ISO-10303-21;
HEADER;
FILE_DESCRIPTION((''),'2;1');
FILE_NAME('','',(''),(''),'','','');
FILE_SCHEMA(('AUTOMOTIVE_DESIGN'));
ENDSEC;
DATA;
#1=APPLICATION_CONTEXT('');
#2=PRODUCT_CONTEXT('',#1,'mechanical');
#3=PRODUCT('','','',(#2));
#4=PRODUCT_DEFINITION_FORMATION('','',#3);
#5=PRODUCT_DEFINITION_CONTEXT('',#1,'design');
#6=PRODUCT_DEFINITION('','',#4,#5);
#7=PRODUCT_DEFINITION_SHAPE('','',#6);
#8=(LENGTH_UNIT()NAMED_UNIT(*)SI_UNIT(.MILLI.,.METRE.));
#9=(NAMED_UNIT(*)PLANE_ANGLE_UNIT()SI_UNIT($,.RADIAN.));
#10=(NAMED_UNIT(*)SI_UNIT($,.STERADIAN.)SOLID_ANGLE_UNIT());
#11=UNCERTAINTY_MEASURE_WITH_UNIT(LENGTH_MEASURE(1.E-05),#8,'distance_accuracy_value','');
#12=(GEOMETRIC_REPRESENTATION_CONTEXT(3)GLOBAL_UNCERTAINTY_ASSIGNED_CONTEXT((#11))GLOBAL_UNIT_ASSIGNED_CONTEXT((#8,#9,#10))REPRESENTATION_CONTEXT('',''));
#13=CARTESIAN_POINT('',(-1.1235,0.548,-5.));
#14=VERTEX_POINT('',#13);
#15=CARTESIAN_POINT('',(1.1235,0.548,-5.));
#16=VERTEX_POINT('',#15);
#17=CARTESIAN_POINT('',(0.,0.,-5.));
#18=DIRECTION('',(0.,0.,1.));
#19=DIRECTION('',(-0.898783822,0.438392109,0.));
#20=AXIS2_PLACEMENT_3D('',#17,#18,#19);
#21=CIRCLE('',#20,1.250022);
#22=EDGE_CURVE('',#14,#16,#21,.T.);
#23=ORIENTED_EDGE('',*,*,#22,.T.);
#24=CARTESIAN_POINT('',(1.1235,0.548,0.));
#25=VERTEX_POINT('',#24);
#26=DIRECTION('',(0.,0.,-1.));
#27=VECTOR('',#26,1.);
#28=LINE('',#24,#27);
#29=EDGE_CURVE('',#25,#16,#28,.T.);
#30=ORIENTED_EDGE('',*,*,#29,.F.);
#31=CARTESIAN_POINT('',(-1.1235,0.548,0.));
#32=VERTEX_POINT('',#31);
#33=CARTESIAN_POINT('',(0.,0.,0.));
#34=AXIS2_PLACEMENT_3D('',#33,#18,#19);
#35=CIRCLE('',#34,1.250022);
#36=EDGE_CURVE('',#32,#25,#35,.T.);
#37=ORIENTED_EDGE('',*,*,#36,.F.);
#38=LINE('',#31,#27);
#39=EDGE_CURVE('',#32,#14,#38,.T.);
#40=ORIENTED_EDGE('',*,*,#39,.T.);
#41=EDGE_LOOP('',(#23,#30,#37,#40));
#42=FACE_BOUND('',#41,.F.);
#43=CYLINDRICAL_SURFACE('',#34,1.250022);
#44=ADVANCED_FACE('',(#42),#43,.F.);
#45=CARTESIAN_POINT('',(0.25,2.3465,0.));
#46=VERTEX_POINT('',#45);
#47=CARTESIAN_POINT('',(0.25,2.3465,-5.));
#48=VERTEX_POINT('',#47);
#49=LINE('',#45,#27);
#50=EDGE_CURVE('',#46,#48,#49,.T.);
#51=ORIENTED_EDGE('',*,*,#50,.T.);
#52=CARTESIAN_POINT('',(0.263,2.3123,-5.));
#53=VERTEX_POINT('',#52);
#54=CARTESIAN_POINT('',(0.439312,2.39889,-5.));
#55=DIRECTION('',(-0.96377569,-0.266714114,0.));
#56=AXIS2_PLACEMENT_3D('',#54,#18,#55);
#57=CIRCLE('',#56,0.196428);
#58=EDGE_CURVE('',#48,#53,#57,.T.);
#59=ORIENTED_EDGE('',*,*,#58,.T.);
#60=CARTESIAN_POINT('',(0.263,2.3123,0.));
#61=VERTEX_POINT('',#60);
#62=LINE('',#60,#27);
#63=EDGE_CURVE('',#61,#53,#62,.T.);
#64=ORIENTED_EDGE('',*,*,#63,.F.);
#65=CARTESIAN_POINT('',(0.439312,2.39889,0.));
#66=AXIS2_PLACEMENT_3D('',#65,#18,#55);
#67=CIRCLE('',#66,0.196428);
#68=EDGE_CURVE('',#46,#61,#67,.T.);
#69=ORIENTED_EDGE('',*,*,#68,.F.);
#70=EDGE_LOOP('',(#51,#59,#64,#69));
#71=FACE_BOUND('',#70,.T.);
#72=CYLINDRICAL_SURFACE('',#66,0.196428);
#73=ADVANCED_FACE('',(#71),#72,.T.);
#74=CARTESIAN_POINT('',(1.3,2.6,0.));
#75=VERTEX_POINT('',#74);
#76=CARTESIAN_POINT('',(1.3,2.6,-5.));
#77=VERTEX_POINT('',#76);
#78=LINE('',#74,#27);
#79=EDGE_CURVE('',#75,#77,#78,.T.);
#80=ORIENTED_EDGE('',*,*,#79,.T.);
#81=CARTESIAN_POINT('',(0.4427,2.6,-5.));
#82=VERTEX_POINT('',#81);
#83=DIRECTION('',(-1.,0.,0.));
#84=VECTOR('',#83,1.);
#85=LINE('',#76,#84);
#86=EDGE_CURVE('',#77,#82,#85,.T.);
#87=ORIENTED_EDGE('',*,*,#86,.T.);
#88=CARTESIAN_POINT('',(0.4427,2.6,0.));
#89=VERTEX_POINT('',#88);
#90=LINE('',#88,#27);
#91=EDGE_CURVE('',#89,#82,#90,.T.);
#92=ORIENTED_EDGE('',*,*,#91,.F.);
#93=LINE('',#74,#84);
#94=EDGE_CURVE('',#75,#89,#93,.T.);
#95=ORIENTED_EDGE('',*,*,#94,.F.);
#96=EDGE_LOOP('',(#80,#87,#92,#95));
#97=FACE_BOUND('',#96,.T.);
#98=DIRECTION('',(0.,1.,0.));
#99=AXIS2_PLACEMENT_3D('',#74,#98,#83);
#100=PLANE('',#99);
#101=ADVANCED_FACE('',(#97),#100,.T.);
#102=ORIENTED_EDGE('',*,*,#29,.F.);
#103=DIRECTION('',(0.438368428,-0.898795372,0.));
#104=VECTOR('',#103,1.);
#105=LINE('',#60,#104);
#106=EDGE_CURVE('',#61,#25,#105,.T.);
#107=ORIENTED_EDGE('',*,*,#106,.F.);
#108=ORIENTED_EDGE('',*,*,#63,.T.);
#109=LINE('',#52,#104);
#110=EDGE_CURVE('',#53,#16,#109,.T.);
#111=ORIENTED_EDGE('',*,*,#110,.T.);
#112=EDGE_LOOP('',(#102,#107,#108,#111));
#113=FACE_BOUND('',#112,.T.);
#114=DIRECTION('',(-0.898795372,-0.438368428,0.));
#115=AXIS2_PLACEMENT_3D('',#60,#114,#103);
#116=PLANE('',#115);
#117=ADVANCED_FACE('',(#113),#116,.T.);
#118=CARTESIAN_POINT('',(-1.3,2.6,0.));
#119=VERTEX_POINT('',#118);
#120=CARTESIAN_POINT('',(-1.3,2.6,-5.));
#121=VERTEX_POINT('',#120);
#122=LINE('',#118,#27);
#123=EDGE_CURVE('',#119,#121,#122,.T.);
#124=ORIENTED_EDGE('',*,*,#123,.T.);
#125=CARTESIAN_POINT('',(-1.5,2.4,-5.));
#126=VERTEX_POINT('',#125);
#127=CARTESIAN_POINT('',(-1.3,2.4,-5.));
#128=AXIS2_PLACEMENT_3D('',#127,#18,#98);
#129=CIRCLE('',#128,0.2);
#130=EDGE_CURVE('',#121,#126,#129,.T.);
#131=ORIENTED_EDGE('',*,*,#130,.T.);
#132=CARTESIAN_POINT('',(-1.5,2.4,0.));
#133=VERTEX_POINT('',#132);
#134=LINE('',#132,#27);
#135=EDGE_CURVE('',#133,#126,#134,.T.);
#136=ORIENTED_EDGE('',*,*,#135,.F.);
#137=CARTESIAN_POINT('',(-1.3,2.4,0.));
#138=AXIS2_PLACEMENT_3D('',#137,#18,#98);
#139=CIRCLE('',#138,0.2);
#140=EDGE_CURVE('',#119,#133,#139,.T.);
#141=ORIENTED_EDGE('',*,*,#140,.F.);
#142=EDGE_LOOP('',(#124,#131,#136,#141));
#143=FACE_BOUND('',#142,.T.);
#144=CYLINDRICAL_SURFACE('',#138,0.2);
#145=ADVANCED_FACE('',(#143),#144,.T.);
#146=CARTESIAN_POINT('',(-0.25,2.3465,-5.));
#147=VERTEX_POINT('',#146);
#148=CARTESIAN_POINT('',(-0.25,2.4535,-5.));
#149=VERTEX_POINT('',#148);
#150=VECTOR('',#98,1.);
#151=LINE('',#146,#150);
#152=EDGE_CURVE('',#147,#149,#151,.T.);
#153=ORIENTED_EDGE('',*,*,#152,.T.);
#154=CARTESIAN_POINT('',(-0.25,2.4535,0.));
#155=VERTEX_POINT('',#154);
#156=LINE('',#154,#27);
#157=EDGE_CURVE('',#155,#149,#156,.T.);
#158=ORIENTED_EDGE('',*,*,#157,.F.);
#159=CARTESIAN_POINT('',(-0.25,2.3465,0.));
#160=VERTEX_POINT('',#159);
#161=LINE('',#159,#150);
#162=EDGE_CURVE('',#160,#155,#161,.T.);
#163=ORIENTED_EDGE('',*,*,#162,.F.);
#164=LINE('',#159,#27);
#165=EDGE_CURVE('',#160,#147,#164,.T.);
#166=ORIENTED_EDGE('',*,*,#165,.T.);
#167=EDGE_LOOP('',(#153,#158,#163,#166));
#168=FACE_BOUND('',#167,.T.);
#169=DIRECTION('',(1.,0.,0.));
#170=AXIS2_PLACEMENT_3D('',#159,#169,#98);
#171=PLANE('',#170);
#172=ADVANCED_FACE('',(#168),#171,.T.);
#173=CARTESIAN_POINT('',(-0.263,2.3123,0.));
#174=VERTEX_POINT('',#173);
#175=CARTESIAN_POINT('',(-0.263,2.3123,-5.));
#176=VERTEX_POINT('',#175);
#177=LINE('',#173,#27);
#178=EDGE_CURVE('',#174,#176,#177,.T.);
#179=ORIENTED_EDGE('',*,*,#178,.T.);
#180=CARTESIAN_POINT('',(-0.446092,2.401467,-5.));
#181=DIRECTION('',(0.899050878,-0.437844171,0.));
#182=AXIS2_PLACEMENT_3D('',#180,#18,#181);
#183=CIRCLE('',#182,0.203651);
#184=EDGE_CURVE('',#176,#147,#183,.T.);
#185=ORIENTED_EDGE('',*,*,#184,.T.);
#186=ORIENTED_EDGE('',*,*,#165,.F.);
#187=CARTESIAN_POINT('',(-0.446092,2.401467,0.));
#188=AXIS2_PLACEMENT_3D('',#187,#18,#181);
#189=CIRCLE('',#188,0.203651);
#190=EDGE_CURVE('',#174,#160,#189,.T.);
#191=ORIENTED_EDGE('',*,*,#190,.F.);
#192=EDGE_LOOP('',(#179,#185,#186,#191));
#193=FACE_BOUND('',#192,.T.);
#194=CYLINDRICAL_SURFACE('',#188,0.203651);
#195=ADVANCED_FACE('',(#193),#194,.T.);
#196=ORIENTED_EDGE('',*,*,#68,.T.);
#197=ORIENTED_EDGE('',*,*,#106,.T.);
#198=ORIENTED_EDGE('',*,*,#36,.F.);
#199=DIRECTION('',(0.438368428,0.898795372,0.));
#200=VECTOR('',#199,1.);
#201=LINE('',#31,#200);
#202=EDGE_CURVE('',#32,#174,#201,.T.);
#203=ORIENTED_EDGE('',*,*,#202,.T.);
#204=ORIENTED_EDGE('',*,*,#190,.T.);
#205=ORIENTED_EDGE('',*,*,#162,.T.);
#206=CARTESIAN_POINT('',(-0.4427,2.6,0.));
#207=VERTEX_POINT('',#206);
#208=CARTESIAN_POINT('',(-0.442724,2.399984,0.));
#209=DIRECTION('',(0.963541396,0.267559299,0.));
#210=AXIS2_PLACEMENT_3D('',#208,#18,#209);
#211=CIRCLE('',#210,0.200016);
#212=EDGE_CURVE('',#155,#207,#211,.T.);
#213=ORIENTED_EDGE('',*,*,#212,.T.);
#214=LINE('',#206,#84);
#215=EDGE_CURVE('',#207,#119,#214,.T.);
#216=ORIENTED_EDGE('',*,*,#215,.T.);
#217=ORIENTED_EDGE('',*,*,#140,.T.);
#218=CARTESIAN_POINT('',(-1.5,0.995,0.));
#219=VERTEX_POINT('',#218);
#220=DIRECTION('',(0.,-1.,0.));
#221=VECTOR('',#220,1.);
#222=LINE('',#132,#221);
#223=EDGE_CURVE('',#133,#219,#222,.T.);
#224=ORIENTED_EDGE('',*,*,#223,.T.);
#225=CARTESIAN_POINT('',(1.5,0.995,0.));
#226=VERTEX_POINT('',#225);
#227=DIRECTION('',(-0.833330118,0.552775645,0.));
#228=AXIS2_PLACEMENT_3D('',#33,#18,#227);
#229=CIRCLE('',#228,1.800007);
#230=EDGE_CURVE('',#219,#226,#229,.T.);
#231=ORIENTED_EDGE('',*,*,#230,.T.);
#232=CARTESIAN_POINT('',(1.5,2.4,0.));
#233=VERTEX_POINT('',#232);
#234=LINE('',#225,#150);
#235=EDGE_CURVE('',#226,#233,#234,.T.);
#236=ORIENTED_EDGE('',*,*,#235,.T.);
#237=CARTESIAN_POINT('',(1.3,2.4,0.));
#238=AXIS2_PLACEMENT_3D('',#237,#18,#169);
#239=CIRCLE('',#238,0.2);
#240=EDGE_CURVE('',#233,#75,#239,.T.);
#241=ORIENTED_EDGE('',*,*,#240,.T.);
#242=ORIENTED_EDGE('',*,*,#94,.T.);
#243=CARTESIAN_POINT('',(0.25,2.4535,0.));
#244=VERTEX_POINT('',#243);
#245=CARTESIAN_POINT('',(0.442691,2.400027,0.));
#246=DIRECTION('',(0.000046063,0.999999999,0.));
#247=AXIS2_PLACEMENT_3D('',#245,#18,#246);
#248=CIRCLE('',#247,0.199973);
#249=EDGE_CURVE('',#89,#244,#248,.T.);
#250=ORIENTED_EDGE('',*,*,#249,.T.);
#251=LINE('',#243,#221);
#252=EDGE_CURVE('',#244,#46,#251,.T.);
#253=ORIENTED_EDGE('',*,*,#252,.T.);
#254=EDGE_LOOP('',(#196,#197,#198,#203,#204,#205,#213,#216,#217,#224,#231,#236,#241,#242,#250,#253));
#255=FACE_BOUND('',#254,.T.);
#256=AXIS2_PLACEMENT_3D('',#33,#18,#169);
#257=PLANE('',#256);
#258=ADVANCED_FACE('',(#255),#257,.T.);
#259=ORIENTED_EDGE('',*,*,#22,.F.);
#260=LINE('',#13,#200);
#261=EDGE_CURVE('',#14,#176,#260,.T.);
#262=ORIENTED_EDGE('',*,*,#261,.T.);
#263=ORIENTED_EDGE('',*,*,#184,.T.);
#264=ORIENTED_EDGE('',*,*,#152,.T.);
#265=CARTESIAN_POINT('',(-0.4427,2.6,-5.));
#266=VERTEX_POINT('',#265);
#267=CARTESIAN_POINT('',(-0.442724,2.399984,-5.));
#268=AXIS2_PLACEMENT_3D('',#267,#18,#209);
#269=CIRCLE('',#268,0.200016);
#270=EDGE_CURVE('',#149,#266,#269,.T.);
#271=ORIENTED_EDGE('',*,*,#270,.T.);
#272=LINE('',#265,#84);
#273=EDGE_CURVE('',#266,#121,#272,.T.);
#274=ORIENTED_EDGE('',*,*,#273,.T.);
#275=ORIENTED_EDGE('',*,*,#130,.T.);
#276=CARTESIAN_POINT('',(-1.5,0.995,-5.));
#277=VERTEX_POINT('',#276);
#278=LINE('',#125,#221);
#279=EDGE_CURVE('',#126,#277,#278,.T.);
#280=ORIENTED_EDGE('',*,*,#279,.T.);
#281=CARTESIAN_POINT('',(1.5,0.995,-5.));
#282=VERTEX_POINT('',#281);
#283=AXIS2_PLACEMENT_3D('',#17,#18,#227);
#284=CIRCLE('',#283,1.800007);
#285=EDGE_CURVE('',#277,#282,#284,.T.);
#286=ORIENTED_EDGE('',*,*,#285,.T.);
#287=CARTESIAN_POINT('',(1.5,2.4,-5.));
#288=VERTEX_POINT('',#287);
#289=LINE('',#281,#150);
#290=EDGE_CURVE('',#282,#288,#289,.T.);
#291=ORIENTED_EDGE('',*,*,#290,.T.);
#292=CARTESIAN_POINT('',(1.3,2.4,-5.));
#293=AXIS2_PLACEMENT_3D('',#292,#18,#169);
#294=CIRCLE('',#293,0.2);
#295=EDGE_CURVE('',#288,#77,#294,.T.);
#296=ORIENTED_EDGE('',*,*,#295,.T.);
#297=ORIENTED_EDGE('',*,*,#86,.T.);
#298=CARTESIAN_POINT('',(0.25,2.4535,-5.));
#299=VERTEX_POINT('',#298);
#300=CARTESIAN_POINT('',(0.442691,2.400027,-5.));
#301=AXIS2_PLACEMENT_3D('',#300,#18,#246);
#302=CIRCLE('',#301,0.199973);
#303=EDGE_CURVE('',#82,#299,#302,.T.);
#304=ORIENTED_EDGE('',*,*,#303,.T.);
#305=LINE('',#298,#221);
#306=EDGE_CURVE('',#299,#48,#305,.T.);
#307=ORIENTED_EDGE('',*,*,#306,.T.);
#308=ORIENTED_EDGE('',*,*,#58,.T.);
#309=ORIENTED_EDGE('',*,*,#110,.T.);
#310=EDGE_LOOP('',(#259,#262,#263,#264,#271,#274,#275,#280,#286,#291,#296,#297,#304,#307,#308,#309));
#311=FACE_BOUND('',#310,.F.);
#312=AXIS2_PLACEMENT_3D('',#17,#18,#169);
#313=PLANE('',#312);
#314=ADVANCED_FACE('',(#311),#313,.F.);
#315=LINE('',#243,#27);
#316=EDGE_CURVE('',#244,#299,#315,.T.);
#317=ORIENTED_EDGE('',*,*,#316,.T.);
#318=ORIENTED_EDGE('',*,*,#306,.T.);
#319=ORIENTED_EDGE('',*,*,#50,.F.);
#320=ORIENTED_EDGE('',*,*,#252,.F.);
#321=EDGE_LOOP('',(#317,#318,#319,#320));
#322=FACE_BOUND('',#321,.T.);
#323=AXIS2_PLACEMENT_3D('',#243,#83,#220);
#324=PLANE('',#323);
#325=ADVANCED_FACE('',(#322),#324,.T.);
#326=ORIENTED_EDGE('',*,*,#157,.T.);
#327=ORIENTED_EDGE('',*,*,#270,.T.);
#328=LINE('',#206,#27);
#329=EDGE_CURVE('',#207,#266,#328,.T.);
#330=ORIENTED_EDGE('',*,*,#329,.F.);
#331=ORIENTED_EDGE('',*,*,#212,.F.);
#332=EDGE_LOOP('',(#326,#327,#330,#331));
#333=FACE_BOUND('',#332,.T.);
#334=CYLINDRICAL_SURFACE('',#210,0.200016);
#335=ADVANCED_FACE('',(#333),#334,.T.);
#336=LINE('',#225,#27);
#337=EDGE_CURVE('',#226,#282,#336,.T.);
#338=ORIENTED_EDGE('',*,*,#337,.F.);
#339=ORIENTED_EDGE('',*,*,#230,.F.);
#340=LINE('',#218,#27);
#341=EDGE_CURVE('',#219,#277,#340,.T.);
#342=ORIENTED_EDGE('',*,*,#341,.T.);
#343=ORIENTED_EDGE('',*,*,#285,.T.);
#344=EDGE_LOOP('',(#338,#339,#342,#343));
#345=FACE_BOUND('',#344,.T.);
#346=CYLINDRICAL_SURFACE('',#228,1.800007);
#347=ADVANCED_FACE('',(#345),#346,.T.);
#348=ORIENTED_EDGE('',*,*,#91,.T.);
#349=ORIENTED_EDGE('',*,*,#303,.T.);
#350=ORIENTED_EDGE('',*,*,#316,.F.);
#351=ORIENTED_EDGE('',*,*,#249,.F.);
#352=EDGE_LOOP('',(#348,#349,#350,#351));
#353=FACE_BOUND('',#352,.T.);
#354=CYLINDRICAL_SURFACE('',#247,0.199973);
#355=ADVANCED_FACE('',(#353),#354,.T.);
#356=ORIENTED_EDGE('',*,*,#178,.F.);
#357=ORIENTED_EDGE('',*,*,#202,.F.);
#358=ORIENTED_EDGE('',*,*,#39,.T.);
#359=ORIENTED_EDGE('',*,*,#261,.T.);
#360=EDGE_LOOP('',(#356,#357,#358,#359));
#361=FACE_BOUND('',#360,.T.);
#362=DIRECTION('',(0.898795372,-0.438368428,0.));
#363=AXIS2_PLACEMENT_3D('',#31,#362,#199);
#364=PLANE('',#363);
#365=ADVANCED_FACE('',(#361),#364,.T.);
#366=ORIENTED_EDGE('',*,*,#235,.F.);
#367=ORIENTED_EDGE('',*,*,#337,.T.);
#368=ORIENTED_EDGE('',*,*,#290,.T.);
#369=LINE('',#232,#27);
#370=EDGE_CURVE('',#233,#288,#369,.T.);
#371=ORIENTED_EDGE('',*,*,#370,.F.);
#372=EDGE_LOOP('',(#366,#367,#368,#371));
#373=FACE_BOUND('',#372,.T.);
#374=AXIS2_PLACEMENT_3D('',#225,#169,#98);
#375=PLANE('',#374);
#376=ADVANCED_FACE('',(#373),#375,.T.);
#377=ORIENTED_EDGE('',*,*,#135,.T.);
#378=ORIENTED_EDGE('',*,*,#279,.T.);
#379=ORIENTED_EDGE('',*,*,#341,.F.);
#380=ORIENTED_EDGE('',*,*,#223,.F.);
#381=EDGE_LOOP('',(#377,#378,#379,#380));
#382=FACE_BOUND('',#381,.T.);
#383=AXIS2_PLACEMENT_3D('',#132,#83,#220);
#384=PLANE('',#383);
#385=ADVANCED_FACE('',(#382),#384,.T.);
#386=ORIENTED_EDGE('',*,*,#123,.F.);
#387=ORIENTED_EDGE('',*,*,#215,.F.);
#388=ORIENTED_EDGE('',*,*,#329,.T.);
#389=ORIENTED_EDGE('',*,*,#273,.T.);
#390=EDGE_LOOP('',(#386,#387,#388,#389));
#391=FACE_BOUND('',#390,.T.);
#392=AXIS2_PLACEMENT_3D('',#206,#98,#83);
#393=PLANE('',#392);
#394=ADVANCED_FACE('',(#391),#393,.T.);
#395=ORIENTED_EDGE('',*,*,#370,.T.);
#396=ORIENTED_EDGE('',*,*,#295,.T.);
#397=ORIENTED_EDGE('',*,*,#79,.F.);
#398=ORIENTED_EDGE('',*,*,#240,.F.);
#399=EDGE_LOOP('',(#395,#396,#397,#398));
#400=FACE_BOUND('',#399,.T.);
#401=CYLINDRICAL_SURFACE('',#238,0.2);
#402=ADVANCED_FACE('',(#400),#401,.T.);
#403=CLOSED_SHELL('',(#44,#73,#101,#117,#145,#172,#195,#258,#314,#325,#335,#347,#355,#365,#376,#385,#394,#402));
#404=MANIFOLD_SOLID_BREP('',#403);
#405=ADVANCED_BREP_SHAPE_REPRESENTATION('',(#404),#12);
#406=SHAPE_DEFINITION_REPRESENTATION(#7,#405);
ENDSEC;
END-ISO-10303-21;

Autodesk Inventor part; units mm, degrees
sketch "Sketch_2" plane through (0, 0, 0) normal (0, 0, 1) x (1, 0, 0)
  arc A0 (-1.5, 0.995) -> (1.5, 0.995) centre (0, 0) ccw
  line L0 (1.5, 0.995) -> (1.5, 2.4)
  arc A1 (1.5, 2.4) -> (1.3, 2.6) centre (1.3, 2.4) ccw
  line L1 (1.3, 2.6) -> (0.4427, 2.6)
  arc A2 (0.4427, 2.6) -> (0.25, 2.4535) centre (0.4427, 2.4) ccw
  line L2 (0.25, 2.4535) -> (0.25, 2.3465)
  arc A3 (0.25, 2.3465) -> (0.263, 2.3123) centre (0.4427, 2.4) ccw
  line L3 (0.263, 2.3123) -> (1.1235, 0.548)
  arc A4 (-1.1235, 0.548) -> (1.1235, 0.548) centre (0, 0) ccw
  line L4 (-1.1235, 0.548) -> (-0.263, 2.3123)
  arc A5 (-0.263, 2.3123) -> (-0.25, 2.3465) centre (-0.4427, 2.4) ccw
  line L5 (-0.25, 2.3465) -> (-0.25, 2.4535)
  arc A6 (-0.25, 2.4535) -> (-0.4427, 2.6) centre (-0.4427, 2.4) ccw
  line L6 (-0.4427, 2.6) -> (-1.3, 2.6)
  arc A7 (-1.3, 2.6) -> (-1.5, 2.4) centre (-1.3, 2.4) ccw
  line L7 (-1.5, 2.4) -> (-1.5, 0.995)
extrude "Extrusion1" add sketch "Sketch_2" against normal blind 5
ref_plane "ANBAU_XY" through (0, 0, 0) normal (0, 0, -1) x (1, 0, 0)
ref_plane "ANBAU_YZ" through (0, 0, 0) normal (1, 0, 0) x (0, -1, 0)
ref_plane "ANBAU_ZX" through (0, 0, 0) normal (0, -1, 0) x (0, 0, -1)
properties part number "534255 SMBK-10"
